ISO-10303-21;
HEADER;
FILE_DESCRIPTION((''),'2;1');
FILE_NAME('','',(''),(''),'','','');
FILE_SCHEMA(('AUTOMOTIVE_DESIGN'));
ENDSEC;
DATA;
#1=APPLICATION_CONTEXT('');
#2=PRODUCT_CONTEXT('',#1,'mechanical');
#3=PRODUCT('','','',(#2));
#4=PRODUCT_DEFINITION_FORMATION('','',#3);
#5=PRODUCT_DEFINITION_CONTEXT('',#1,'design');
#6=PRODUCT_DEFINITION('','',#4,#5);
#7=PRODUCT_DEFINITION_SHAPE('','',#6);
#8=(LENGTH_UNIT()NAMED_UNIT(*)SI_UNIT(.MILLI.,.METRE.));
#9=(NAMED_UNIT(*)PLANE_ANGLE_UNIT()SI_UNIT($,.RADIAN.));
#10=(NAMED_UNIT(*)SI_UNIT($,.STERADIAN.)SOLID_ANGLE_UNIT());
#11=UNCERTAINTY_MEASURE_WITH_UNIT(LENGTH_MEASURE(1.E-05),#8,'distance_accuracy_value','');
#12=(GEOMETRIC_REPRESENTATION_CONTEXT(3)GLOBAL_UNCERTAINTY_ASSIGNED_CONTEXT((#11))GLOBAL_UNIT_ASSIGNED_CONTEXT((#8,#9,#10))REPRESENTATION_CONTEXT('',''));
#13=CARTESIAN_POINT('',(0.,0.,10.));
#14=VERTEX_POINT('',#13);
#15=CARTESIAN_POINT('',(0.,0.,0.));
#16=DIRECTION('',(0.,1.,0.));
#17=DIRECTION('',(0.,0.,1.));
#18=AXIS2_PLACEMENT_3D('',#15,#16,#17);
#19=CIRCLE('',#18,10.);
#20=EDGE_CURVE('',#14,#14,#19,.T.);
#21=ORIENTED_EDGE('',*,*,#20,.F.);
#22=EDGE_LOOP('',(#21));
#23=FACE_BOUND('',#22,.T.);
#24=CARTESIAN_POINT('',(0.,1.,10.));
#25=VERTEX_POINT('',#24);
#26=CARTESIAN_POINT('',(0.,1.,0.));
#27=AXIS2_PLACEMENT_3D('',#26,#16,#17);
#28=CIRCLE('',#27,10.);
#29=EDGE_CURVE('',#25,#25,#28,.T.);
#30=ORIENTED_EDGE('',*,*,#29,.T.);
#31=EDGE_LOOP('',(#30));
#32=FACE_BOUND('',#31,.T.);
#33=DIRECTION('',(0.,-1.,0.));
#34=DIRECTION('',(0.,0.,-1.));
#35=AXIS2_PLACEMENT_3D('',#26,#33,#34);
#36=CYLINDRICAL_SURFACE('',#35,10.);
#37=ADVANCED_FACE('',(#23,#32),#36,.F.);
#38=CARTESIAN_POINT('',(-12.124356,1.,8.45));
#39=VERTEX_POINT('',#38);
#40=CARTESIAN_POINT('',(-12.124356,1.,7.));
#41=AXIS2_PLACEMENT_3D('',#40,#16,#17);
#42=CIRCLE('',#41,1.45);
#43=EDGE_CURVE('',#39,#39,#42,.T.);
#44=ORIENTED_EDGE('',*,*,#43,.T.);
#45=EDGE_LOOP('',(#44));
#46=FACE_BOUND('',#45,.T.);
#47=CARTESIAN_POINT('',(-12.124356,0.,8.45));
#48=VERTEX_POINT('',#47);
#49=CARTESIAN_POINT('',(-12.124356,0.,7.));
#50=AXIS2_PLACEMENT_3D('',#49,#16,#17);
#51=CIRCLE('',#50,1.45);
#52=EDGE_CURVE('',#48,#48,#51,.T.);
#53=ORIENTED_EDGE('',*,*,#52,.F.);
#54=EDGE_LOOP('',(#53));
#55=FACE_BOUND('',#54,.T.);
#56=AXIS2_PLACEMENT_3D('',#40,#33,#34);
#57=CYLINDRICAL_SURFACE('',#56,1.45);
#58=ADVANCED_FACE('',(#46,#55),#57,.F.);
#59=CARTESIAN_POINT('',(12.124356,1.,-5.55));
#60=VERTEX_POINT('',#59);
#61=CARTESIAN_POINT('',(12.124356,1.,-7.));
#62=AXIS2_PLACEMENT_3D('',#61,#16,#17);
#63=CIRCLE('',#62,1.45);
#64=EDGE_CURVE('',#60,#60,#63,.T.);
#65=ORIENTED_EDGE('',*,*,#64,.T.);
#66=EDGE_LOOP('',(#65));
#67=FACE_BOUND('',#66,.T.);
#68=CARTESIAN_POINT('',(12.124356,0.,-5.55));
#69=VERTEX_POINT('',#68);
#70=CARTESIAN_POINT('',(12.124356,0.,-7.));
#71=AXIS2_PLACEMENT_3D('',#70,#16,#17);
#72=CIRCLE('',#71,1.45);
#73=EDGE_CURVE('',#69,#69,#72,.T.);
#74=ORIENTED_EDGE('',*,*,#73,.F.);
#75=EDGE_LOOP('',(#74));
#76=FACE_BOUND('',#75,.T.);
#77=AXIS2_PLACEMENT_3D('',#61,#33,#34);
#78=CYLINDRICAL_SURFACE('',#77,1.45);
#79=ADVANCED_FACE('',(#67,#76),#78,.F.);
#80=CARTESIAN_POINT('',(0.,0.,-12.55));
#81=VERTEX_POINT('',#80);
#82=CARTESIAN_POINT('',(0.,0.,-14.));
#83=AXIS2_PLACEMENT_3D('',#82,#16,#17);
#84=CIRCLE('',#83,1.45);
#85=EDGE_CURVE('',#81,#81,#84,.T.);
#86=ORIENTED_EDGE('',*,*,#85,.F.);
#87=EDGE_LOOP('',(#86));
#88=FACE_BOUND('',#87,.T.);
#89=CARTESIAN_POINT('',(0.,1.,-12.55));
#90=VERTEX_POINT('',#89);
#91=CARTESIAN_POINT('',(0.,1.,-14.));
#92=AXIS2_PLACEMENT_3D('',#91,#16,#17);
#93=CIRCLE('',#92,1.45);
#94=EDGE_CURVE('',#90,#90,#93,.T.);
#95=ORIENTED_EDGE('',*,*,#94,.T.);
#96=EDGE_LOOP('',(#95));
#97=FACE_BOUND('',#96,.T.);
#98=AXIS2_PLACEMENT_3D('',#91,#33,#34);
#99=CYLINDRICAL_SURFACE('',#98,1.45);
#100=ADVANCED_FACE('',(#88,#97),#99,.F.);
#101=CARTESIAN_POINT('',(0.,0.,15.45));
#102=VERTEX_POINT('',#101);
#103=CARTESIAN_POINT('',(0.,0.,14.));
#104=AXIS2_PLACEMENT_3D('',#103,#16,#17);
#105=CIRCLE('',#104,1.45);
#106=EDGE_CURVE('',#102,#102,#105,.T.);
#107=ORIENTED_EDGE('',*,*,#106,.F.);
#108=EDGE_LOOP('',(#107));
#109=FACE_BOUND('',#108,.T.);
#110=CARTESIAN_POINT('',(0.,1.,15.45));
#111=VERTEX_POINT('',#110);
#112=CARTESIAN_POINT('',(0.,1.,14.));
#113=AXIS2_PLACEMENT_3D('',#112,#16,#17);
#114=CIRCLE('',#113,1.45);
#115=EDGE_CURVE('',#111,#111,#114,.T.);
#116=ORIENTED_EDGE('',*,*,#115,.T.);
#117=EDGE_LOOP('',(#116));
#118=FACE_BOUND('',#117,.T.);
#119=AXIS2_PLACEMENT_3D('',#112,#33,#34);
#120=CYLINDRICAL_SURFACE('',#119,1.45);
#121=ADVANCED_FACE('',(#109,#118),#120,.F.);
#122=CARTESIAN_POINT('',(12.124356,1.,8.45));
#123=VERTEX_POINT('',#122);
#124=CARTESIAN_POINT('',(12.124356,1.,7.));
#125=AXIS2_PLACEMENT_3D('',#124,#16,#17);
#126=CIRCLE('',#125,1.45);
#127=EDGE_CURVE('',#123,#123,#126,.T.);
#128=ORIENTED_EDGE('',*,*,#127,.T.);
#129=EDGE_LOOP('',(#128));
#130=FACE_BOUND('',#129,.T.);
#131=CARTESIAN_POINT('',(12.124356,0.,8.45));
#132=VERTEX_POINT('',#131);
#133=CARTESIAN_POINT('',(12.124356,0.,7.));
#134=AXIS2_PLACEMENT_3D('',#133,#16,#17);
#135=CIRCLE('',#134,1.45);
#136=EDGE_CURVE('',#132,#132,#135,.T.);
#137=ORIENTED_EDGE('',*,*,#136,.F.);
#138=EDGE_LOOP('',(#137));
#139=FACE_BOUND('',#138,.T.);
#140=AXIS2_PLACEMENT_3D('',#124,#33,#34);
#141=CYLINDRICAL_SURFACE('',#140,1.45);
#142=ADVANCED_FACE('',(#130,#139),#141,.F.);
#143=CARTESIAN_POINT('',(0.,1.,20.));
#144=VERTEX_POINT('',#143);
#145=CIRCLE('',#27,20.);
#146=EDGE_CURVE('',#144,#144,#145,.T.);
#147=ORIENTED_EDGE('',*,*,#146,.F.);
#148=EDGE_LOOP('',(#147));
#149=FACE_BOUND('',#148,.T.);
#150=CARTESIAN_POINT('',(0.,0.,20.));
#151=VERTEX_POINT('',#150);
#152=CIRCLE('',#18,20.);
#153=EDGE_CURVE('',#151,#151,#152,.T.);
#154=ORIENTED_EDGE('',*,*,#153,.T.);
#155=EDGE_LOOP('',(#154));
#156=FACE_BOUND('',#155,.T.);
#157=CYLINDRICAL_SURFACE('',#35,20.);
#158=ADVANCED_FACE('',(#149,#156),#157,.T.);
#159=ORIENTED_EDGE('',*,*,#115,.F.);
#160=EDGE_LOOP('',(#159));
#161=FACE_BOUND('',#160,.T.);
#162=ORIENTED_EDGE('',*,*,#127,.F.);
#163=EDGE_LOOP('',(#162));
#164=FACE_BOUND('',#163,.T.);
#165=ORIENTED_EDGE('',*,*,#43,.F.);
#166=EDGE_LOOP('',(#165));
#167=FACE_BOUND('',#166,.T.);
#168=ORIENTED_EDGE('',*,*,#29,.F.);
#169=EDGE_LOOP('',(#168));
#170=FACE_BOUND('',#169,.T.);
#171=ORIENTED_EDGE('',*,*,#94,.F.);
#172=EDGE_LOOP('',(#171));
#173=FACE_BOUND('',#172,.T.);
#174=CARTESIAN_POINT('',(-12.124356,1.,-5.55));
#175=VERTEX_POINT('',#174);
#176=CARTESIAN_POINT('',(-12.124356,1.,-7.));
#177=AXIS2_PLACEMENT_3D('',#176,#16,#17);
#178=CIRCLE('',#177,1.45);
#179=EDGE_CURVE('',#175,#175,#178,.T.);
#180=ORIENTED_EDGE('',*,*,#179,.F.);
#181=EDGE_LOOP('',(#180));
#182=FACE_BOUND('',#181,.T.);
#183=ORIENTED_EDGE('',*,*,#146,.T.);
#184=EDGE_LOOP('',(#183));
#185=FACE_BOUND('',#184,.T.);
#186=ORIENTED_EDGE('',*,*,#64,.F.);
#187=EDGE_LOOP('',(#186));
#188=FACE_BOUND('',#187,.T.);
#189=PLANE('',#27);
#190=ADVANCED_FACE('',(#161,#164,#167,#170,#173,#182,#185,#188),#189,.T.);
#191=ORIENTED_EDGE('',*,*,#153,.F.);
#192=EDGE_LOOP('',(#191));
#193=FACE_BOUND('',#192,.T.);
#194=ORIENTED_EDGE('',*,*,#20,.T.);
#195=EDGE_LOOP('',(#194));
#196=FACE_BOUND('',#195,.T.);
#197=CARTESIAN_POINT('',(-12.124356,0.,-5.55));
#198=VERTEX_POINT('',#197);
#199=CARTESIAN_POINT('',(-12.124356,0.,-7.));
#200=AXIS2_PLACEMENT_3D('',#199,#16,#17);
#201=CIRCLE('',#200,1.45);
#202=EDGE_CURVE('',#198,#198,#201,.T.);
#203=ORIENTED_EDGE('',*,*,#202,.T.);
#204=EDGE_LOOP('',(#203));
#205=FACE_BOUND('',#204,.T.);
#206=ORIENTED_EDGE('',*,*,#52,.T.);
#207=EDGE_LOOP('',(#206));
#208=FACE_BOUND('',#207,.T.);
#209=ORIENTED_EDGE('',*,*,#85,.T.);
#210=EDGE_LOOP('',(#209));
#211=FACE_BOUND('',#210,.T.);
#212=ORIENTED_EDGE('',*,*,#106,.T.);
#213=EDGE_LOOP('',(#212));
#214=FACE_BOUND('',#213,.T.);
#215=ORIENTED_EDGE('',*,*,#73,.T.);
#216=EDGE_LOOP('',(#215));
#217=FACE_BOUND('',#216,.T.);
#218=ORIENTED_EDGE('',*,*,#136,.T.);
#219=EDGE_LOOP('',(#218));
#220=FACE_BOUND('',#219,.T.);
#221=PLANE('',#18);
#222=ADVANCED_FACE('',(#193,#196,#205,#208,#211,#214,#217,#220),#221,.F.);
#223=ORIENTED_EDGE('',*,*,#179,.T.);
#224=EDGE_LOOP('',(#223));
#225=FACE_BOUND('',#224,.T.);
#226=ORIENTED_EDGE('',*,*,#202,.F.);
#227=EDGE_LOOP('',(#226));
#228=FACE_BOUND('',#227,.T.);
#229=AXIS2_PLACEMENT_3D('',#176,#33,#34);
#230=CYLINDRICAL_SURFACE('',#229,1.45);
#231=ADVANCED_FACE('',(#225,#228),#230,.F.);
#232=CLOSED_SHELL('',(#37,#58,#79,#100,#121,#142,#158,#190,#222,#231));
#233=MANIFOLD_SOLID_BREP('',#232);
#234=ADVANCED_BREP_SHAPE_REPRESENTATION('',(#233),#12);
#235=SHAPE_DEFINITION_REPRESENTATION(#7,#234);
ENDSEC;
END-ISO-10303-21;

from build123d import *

# Parameters (mm, degrees)
SKETCH_1_R      = 20
SKETCH_1_R_2    = 1.45
SKETCH_1_R_3    = 10
EXTRUDE_1_DEPTH = 1


with BuildPart() as part:
    # 草图1 → 凸台-拉伸1 (new body)
    with BuildSketch(Plane(origin=(0, 0, 0), x_dir=(1, 0, 0), z_dir=(0, 1, 0))):
        with Locations(Location((0, 0, 0), (0, 0, 270))):
            Circle(SKETCH_1_R)
        with Locations(Location((0, 14, 0), (0, 0, 270))):
            Circle(SKETCH_1_R_2, mode=Mode.SUBTRACT)
        with Locations(Location((-12.124355653, 7, 0), (0, 0, 270))):
            Circle(SKETCH_1_R_2, mode=Mode.SUBTRACT)
        with Locations(Location((-12.124355653, -7, 0), (0, 0, 270))):
            Circle(SKETCH_1_R_2, mode=Mode.SUBTRACT)
        with Locations(Location((0, -14, 0), (0, 0, 270))):
            Circle(SKETCH_1_R_2, mode=Mode.SUBTRACT)
        with Locations(Location((12.124355653, -7, 0), (0, 0, 270))):
            Circle(SKETCH_1_R_2, mode=Mode.SUBTRACT)
        with Locations(Location((12.124355653, 7, 0), (0, 0, 270))):
            Circle(SKETCH_1_R_2, mode=Mode.SUBTRACT)
        with Locations(Location((0, 0, 0), (0, 0, 270))):
            Circle(SKETCH_1_R_3, mode=Mode.SUBTRACT)
    extrude(amount=EXTRUDE_1_DEPTH)


solid = part.part
